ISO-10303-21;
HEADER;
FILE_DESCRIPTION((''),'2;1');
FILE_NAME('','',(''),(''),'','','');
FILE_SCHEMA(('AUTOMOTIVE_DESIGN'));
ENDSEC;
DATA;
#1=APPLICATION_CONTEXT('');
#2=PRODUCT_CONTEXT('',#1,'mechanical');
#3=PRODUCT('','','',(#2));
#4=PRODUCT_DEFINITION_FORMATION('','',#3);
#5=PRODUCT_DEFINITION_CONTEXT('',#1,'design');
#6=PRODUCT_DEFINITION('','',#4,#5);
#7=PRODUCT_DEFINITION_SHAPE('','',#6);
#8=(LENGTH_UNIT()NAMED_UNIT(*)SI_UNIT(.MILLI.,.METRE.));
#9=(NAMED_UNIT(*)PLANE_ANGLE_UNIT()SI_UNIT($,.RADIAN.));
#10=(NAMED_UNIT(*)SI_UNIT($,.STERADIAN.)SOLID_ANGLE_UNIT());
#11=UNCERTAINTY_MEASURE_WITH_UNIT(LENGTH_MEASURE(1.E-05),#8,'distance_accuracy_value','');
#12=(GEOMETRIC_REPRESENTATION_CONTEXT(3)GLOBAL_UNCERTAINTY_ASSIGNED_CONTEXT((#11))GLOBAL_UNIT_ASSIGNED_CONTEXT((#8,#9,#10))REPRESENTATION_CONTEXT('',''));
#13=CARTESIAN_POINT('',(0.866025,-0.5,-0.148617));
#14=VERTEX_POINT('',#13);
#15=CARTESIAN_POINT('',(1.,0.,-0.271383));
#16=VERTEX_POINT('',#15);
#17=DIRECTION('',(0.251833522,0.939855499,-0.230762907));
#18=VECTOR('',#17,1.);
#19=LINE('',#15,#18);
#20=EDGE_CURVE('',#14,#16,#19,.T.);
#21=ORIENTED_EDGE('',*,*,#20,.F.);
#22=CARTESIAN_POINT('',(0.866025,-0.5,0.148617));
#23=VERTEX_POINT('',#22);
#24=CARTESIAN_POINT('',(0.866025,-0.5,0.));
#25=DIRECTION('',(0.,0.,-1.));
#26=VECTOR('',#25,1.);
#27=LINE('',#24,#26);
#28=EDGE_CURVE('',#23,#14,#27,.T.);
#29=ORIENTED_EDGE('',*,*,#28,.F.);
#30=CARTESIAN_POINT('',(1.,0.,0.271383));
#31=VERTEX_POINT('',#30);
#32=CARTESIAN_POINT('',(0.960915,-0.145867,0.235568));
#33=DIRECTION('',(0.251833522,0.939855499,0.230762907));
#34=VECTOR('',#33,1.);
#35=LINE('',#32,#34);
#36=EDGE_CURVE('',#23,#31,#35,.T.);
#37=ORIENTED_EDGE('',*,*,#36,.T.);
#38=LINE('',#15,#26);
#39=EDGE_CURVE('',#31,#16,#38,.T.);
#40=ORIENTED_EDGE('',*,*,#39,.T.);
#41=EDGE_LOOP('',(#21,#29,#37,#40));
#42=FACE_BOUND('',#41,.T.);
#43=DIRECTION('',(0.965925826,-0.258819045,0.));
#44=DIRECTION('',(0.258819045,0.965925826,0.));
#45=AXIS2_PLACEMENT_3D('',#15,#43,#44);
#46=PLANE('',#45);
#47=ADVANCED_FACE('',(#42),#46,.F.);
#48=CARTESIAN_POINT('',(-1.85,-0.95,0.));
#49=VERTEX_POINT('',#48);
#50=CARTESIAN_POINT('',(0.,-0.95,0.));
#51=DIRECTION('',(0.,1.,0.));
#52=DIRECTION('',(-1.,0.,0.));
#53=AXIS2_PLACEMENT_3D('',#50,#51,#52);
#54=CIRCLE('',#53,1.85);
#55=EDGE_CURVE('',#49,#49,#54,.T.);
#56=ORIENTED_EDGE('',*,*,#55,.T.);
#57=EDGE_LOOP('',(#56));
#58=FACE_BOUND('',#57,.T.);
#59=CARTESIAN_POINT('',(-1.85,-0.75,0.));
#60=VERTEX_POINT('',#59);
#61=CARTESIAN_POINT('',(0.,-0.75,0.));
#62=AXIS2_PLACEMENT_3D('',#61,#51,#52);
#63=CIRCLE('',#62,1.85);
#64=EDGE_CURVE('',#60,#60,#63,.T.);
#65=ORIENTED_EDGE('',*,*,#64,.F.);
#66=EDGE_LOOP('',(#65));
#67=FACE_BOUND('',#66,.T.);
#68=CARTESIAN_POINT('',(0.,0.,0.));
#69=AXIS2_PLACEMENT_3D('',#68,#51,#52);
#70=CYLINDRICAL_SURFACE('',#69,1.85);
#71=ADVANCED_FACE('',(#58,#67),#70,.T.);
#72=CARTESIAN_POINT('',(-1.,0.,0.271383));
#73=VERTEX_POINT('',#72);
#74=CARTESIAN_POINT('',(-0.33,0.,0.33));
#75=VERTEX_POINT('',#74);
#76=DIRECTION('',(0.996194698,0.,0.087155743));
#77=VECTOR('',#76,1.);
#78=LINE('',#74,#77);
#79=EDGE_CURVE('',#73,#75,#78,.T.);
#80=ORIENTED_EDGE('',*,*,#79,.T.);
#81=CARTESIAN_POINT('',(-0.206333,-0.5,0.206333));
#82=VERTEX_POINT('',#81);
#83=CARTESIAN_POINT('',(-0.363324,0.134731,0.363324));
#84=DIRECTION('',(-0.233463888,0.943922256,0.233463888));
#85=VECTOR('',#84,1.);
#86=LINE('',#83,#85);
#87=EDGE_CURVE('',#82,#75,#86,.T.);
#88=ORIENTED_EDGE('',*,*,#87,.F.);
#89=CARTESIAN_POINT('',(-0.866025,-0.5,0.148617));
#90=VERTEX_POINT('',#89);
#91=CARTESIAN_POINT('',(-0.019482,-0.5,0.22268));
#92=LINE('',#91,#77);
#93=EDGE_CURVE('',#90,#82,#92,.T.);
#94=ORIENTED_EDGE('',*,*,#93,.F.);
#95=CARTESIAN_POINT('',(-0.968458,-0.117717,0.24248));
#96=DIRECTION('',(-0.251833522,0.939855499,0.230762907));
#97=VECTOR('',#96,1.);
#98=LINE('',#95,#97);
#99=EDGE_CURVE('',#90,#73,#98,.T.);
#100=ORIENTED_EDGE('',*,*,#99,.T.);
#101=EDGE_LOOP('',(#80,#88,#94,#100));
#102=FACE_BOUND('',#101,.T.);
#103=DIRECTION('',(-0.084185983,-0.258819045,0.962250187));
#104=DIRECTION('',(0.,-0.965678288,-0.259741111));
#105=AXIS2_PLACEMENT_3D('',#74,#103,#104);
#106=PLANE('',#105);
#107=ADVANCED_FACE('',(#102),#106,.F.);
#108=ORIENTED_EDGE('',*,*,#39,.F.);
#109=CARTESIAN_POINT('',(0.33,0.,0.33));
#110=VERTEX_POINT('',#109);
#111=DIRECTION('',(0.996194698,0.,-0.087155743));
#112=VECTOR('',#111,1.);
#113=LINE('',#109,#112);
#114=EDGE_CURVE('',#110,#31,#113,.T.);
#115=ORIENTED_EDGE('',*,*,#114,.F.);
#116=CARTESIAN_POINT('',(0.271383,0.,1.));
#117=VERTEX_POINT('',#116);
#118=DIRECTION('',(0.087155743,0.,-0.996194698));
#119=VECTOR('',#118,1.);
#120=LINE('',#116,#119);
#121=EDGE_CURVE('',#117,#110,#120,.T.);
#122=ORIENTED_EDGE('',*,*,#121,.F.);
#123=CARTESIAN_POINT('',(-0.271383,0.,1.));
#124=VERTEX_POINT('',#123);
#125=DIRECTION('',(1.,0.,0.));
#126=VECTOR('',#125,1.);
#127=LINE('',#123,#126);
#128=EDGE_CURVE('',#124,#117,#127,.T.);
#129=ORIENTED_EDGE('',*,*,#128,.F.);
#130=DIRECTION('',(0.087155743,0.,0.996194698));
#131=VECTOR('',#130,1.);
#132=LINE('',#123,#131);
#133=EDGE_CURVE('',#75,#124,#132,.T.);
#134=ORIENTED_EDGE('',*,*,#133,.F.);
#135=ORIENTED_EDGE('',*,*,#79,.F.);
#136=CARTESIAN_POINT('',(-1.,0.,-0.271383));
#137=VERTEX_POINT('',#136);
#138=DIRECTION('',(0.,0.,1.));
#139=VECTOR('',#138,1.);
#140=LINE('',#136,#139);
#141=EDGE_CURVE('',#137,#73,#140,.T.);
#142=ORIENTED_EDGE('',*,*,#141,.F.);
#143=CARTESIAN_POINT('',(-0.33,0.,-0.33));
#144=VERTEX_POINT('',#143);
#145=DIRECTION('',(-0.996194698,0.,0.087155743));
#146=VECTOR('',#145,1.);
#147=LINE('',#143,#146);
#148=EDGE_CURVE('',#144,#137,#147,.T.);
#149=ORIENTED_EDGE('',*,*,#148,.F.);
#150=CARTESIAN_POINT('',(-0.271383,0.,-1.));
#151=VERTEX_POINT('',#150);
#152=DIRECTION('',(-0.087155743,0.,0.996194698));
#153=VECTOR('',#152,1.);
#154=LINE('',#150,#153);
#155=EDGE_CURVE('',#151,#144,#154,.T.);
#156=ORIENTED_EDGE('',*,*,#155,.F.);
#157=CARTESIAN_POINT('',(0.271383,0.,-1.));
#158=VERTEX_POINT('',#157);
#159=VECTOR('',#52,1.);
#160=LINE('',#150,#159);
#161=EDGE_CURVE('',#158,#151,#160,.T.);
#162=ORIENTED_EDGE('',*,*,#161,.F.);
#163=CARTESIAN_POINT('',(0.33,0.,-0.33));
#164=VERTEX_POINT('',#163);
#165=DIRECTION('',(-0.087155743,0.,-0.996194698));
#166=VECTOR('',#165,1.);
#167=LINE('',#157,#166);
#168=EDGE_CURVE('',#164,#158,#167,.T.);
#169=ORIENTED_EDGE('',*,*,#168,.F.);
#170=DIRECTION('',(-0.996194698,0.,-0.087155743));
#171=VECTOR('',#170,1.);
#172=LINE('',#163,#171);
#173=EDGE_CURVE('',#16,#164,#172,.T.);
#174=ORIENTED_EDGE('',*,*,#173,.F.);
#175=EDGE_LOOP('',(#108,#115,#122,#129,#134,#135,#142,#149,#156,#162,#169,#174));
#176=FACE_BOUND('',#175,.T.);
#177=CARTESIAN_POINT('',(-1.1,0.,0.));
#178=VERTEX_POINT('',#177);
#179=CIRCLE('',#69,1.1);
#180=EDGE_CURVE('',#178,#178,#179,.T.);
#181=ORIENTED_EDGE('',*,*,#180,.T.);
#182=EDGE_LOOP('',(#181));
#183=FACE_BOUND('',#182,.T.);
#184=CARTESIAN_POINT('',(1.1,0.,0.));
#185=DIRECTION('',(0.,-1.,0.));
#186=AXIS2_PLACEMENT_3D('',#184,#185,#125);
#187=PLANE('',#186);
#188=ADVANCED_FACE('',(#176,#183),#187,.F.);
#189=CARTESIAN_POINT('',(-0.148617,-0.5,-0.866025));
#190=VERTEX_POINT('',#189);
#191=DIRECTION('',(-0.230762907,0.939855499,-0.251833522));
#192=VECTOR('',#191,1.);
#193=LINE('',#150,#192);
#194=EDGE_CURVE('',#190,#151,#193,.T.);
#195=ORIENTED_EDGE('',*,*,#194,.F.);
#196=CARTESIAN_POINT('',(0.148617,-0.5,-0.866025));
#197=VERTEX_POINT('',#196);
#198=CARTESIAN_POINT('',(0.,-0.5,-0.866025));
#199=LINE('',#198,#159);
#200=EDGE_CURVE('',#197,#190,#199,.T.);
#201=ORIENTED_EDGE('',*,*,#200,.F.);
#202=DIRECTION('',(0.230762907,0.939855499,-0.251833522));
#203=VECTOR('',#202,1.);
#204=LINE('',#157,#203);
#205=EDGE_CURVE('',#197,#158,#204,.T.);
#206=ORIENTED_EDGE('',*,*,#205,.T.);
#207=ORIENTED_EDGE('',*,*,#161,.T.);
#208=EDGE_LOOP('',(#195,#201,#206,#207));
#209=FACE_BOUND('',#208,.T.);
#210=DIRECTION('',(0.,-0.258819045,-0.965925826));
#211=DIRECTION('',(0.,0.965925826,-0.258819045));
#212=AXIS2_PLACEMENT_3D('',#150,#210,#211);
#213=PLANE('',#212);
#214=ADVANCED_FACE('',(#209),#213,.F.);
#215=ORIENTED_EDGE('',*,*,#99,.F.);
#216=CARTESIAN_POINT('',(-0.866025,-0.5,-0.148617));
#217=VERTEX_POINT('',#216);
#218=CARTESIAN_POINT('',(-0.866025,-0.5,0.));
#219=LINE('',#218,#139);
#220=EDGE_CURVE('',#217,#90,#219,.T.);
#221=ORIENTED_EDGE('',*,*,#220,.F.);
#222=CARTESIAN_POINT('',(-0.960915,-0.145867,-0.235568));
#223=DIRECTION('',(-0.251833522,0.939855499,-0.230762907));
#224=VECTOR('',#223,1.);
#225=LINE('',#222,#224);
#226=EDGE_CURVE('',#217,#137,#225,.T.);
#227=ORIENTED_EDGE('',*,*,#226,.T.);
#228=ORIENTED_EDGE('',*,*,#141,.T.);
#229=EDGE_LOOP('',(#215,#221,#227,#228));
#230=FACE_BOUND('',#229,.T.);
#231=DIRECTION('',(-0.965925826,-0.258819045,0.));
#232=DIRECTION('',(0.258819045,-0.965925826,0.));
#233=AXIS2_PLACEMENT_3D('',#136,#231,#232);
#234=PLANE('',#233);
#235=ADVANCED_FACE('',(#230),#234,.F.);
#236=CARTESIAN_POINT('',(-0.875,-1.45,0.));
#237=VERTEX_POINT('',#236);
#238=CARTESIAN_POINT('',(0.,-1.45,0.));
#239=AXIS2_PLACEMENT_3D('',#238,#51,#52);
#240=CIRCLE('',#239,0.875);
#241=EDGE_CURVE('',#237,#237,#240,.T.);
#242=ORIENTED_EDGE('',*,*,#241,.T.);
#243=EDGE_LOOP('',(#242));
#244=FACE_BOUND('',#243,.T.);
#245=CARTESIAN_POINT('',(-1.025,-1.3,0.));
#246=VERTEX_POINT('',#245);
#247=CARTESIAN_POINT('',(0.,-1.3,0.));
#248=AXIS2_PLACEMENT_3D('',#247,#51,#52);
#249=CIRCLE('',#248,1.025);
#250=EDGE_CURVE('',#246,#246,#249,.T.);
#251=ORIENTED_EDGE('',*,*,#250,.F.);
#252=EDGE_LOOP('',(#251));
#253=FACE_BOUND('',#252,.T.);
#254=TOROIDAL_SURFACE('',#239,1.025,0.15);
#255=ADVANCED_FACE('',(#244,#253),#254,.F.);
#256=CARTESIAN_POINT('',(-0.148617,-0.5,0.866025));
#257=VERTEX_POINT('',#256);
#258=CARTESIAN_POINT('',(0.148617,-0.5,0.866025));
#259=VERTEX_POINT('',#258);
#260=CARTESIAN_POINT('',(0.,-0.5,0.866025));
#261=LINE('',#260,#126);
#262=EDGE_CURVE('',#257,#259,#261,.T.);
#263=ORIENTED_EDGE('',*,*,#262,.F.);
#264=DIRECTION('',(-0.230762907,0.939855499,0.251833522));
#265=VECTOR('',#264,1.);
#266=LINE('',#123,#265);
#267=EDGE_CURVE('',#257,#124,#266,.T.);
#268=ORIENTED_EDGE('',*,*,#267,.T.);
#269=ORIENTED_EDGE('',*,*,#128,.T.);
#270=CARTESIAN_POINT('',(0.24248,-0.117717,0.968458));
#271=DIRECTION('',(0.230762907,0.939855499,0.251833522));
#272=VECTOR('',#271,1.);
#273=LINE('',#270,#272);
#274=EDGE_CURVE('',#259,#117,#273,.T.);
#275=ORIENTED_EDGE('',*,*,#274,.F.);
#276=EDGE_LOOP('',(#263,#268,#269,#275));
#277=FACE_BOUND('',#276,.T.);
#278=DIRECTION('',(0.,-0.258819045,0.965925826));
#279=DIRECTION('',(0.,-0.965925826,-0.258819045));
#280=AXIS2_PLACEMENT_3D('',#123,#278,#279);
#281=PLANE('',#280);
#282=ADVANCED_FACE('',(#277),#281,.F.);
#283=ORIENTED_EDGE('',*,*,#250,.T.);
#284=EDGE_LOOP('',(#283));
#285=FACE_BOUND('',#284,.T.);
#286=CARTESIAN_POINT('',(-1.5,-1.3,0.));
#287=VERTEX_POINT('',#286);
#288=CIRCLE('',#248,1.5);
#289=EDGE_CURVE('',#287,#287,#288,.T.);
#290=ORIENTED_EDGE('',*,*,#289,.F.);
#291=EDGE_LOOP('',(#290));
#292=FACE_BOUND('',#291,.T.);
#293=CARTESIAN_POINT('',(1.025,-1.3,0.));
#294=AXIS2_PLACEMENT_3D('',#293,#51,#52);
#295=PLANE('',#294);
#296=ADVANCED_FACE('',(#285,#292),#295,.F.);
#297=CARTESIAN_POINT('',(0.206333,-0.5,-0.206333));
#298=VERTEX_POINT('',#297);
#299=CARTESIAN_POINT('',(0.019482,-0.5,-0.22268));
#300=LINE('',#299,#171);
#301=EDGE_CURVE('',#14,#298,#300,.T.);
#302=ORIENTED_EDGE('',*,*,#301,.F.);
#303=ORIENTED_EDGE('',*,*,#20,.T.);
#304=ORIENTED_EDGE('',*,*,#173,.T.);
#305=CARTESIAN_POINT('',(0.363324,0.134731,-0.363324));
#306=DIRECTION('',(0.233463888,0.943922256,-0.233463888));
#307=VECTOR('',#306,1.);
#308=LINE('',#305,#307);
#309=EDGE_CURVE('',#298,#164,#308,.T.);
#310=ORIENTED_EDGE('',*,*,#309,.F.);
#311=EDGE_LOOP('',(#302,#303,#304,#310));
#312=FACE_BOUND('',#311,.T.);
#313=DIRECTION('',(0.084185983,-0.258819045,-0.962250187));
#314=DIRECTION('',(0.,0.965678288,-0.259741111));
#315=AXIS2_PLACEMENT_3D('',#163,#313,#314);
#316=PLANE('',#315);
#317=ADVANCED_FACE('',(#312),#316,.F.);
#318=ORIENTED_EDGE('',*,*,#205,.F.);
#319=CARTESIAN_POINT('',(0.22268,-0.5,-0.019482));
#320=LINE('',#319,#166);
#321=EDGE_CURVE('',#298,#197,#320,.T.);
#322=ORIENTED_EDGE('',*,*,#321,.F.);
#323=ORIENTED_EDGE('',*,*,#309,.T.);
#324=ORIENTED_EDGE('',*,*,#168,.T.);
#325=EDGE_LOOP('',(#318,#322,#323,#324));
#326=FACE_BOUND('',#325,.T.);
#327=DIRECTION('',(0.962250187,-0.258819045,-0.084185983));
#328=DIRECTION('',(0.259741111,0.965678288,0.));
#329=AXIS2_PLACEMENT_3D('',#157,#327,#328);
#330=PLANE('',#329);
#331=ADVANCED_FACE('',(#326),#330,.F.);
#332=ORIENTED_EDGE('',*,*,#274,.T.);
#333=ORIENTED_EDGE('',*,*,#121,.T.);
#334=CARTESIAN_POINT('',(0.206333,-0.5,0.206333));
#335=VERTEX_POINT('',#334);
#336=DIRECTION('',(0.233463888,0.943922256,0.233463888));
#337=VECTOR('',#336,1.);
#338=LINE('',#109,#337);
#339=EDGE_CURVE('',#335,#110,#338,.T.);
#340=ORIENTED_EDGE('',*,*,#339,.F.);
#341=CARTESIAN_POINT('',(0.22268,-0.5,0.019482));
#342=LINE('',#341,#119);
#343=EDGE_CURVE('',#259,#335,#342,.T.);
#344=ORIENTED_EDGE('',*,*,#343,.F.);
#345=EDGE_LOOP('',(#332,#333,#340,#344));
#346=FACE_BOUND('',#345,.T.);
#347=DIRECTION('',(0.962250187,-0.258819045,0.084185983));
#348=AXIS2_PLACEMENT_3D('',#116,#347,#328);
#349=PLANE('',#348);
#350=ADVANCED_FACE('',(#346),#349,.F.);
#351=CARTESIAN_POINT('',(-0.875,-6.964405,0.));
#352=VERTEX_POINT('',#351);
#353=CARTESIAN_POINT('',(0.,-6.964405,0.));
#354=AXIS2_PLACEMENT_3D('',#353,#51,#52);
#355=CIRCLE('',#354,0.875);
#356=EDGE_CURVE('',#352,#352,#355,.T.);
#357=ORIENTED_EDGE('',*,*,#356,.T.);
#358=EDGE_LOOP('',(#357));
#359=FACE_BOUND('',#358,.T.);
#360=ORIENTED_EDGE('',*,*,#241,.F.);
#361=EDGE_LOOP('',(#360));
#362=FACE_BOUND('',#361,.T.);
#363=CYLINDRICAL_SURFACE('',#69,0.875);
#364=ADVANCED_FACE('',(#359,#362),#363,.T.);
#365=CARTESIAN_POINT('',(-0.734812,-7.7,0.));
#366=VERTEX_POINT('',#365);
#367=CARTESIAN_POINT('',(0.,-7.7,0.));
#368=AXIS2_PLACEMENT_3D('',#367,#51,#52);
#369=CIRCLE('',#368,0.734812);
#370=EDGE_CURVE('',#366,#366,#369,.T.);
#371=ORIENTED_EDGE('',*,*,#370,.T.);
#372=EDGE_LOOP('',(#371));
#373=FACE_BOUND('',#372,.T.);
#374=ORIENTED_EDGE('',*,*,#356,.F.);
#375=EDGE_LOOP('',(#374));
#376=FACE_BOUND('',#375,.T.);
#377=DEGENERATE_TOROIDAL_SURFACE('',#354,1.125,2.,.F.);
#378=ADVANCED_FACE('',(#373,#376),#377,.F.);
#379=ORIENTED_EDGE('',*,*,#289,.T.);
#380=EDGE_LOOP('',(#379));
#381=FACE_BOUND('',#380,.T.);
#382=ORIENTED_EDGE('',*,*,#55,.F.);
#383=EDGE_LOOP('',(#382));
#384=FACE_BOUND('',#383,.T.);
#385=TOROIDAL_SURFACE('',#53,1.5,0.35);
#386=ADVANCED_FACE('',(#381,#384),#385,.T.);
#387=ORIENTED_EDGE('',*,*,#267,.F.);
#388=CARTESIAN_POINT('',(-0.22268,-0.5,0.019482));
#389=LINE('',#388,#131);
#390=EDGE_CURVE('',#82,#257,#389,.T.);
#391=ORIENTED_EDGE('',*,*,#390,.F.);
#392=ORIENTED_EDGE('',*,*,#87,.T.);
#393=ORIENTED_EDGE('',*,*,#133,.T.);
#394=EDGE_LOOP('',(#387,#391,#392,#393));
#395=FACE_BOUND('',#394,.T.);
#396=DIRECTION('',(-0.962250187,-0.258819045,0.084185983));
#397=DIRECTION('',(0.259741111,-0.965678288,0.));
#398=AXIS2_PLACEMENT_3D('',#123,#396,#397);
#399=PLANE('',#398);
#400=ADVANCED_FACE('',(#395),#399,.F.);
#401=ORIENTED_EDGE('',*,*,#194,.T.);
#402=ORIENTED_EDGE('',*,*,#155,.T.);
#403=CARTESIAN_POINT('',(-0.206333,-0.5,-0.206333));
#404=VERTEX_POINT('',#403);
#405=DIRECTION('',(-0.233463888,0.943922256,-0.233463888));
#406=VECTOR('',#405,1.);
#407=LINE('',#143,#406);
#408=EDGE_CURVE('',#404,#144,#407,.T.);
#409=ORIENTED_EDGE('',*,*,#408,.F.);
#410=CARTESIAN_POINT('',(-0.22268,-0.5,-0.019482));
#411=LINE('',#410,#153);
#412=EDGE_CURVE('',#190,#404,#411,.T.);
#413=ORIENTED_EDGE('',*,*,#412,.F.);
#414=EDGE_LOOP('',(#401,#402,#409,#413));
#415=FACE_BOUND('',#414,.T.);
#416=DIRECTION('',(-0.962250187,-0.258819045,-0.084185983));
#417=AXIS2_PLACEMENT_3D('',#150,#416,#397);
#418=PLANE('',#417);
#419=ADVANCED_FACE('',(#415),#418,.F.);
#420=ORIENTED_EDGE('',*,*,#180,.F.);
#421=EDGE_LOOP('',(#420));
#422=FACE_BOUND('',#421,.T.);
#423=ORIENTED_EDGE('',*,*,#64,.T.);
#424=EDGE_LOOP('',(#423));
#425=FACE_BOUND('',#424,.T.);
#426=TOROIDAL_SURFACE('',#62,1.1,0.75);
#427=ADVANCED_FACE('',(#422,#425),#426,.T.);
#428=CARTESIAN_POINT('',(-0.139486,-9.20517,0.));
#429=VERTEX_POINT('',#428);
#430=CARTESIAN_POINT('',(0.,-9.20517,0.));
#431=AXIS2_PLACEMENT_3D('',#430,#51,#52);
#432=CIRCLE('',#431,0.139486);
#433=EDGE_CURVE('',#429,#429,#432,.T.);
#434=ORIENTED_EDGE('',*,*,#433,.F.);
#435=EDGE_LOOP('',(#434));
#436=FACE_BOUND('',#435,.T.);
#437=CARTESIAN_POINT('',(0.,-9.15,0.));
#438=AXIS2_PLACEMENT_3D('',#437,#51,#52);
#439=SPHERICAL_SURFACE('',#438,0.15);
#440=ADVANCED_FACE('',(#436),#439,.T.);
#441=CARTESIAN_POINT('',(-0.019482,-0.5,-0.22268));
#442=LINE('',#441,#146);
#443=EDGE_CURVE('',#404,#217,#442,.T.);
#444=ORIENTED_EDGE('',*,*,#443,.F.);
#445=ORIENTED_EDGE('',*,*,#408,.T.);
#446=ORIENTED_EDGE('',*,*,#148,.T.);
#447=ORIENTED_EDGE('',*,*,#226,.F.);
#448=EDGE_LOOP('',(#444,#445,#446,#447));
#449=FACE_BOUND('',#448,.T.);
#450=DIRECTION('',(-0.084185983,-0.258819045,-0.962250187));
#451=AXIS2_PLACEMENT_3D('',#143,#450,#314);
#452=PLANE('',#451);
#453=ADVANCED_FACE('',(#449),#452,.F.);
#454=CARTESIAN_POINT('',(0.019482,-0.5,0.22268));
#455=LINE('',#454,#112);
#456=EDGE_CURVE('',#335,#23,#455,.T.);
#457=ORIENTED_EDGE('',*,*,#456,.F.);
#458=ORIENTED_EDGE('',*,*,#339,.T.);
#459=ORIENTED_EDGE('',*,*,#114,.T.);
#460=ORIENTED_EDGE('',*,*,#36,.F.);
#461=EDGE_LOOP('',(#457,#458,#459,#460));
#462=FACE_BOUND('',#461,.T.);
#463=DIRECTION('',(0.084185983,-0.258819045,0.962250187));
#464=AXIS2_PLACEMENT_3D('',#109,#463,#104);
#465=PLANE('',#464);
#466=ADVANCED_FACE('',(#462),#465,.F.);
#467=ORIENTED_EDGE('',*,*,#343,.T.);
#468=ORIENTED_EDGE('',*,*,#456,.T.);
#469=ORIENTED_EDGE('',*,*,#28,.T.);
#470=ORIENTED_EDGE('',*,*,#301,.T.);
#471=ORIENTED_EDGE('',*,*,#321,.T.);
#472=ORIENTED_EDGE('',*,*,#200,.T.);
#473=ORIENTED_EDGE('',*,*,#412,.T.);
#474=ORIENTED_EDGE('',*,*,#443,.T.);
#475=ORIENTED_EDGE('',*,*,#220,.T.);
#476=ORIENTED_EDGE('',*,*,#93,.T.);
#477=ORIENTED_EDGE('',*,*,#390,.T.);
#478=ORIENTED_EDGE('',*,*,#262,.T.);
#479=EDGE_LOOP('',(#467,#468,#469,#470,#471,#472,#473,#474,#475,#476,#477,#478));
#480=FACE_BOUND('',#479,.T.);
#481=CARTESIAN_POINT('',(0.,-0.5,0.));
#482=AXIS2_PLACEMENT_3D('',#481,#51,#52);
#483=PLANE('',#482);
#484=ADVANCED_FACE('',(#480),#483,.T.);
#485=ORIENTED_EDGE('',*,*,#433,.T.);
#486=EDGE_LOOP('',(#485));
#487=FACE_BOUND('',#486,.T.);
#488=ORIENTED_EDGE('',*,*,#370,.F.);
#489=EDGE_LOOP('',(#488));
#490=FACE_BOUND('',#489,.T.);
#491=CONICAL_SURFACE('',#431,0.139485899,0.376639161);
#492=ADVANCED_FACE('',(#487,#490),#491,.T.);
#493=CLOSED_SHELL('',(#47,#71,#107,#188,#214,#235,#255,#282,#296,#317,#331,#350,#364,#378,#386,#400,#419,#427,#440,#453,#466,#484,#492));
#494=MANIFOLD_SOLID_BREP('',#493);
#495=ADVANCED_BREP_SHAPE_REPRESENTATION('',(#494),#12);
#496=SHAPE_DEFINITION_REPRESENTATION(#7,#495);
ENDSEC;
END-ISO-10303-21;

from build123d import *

# Parameters (mm, degrees)
CUT_EXTRUDE1_DEPTH = 0.5
CUT_EXTRUDE1_TAPER = 15


with BuildPart() as part:
    # Sketch1 → Revolve1 (revolve)
    with BuildSketch(Plane.XY):
        with BuildLine():
            Line((0.875, -6.964405423), (0.875, -1.45))
            ThreePointArc((0.875, -1.45), (0.918933983, -1.343933983), (1.025, -1.3))
            Line((1.025, -1.3), (1.5, -1.3))
            ThreePointArc((1.5, -1.3), (1.747487373, -1.197487373), (1.85, -0.95))
            Line((1.85, -0.95), (1.85, -0.75))
            ThreePointArc((1.85, -0.75), (1.630330086, -0.219669914), (1.1, 0))
            Line((1.1, 0), (0, 0))
            Line((0, 0), (0, -9.3))
            ThreePointArc((0, -9.3), (0.084334338, -9.274047247), (0.139485899, -9.205169593))
            Line((0.139485899, -9.205169593), (0.734811985, -7.7))
            ThreePointArc((0.734811985, -7.7), (0.839640421, -7.338822324), (0.875, -6.964405423))
        make_face()
    revolve(axis=Axis((0, 0, 0), (0, -1, 0)))

    # Sketch2 → Cut-Extrude1 (cut)
    with BuildSketch(Plane(origin=(0, 0, 0), x_dir=(1, 0, 0), z_dir=(0, 1, 0))):
        Polygon((-0.271382595, 1), (-0.33, 0.33), (-1, 0.271382595), (-1, -0.271382595), (-0.33, -0.33), (-0.271382595, -1), (0.271382595, -1), (0.33, -0.33), (1, -0.271382595), (1, 0.271382595), (0.33, 0.33), (0.271382595, 1), align=None)
    extrude(amount=-CUT_EXTRUDE1_DEPTH, taper=CUT_EXTRUDE1_TAPER, mode=Mode.SUBTRACT)


solid = part.part
